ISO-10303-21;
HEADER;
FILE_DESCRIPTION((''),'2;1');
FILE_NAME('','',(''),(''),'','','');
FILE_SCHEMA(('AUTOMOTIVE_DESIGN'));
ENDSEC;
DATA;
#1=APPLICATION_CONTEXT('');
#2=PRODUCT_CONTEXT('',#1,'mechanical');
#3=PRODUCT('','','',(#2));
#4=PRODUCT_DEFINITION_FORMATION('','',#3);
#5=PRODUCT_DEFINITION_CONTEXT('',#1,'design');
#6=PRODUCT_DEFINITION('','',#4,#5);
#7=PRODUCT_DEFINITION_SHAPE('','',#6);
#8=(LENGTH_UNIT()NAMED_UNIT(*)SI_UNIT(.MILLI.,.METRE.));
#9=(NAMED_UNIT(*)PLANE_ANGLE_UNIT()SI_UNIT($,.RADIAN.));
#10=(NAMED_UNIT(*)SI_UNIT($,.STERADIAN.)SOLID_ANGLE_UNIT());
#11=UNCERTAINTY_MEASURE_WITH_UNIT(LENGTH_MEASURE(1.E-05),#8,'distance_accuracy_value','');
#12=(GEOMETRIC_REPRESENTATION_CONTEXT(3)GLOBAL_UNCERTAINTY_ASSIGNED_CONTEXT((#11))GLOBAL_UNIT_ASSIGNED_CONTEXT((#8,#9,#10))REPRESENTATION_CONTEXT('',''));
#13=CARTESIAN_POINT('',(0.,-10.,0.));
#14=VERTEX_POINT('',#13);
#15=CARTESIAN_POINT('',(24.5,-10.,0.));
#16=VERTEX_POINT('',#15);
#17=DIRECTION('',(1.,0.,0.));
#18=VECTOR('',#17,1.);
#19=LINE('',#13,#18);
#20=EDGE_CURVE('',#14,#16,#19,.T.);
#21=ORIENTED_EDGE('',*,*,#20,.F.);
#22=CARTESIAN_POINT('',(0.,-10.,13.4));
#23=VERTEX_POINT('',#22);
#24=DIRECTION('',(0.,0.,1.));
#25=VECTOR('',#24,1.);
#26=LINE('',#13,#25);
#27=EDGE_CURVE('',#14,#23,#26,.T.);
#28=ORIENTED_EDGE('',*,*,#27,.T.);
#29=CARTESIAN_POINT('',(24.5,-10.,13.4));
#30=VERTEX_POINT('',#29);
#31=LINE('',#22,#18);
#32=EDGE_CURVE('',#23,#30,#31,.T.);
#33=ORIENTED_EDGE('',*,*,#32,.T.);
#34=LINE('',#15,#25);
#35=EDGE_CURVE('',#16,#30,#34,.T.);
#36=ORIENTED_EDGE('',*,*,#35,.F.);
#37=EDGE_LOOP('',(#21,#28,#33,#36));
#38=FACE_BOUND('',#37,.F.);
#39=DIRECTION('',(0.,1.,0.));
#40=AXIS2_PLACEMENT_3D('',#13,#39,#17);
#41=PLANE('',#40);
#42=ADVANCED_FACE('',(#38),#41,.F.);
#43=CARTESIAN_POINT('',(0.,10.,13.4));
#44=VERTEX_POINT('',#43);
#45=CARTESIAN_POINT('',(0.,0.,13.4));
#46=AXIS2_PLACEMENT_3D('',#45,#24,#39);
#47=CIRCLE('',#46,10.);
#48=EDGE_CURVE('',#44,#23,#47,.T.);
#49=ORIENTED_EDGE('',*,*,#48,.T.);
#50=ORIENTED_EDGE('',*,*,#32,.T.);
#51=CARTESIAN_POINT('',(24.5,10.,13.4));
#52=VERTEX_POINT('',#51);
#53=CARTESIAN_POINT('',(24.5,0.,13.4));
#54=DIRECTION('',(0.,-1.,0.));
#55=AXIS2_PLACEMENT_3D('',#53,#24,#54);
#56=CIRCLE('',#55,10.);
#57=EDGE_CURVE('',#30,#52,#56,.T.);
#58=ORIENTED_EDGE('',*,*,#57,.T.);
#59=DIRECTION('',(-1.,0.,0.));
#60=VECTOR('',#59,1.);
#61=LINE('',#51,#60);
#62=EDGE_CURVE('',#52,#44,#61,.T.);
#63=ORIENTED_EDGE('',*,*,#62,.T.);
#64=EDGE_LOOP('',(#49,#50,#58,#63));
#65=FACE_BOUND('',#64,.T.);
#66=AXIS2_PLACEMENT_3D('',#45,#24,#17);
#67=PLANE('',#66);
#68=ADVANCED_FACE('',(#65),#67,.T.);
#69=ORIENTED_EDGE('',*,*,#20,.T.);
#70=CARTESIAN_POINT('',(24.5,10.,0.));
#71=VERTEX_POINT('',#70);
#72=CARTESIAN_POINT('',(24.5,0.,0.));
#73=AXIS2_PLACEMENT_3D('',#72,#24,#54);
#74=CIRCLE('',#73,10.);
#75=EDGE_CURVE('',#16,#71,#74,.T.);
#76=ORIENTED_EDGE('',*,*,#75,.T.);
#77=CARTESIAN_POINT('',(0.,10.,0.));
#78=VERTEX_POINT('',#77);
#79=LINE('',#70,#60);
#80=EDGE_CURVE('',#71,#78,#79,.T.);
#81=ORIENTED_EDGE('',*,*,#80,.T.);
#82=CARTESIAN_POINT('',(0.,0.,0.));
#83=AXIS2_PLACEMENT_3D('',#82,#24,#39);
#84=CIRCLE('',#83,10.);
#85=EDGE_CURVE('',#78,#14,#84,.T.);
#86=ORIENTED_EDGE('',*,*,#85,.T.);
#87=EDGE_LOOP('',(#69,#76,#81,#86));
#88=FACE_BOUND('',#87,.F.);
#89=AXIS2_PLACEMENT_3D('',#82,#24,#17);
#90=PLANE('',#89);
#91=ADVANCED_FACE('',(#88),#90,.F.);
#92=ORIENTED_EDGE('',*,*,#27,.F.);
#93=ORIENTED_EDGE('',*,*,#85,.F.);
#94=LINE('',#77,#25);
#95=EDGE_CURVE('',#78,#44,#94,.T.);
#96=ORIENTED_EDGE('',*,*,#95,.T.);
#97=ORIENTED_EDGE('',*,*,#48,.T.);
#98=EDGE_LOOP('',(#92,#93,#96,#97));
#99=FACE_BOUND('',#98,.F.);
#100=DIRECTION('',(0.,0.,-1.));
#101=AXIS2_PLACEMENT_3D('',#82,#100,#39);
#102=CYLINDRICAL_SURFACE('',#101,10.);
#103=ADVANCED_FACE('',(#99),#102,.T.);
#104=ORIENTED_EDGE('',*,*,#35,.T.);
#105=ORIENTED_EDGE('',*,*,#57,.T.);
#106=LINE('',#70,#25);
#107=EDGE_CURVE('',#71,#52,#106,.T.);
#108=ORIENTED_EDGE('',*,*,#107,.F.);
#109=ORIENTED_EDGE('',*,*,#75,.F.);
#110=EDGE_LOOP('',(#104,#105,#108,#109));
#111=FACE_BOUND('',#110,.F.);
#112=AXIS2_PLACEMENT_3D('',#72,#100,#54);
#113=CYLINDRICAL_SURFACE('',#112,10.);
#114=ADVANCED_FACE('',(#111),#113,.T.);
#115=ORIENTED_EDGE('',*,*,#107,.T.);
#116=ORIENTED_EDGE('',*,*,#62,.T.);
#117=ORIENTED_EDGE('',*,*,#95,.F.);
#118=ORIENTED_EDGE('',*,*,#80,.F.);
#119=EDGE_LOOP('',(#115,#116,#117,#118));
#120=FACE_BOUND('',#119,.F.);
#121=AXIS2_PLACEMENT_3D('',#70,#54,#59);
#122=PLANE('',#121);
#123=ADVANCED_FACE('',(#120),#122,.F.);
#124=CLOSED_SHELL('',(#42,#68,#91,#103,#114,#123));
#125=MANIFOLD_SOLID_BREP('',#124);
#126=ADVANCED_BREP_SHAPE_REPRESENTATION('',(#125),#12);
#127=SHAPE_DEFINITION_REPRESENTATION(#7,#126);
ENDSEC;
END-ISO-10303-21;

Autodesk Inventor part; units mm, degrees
ref_plane "YZ Plane" through (0, 0, 0) normal (1, 0, 0) x (0, 1, 0)
ref_plane "XZ Plane" through (0, 0, 0) normal (0, 1, 0) x (-1, 0, 0)
ref_plane "XY Plane" through (0, 0, 0) normal (0, 0, 1) x (1, 0, 0)
sketch "スケッチ1" plane through (0, 0, 0) normal (0, 0, 1) x (1, 0, 0)
  line L0 (0, 0) -> (24.5, 0) construction
  line L1 (0, -10) -> (24.5, -10)
  line L2 (24.5, 10) -> (0, 10)
  arc A0 (0, 10) -> (0, -10) centre (0, 0) ccw
  arc A1 (24.5, -10) -> (24.5, 10) centre (24.5, 0) ccw
  point P0 (12.25, 0)
  dimension "d0" = 20
  dimension "d1" = 24.5
extrude "押し出し1" add sketch "スケッチ1" along normal blind 13.4
properties part number "arrma_boolean_box"
